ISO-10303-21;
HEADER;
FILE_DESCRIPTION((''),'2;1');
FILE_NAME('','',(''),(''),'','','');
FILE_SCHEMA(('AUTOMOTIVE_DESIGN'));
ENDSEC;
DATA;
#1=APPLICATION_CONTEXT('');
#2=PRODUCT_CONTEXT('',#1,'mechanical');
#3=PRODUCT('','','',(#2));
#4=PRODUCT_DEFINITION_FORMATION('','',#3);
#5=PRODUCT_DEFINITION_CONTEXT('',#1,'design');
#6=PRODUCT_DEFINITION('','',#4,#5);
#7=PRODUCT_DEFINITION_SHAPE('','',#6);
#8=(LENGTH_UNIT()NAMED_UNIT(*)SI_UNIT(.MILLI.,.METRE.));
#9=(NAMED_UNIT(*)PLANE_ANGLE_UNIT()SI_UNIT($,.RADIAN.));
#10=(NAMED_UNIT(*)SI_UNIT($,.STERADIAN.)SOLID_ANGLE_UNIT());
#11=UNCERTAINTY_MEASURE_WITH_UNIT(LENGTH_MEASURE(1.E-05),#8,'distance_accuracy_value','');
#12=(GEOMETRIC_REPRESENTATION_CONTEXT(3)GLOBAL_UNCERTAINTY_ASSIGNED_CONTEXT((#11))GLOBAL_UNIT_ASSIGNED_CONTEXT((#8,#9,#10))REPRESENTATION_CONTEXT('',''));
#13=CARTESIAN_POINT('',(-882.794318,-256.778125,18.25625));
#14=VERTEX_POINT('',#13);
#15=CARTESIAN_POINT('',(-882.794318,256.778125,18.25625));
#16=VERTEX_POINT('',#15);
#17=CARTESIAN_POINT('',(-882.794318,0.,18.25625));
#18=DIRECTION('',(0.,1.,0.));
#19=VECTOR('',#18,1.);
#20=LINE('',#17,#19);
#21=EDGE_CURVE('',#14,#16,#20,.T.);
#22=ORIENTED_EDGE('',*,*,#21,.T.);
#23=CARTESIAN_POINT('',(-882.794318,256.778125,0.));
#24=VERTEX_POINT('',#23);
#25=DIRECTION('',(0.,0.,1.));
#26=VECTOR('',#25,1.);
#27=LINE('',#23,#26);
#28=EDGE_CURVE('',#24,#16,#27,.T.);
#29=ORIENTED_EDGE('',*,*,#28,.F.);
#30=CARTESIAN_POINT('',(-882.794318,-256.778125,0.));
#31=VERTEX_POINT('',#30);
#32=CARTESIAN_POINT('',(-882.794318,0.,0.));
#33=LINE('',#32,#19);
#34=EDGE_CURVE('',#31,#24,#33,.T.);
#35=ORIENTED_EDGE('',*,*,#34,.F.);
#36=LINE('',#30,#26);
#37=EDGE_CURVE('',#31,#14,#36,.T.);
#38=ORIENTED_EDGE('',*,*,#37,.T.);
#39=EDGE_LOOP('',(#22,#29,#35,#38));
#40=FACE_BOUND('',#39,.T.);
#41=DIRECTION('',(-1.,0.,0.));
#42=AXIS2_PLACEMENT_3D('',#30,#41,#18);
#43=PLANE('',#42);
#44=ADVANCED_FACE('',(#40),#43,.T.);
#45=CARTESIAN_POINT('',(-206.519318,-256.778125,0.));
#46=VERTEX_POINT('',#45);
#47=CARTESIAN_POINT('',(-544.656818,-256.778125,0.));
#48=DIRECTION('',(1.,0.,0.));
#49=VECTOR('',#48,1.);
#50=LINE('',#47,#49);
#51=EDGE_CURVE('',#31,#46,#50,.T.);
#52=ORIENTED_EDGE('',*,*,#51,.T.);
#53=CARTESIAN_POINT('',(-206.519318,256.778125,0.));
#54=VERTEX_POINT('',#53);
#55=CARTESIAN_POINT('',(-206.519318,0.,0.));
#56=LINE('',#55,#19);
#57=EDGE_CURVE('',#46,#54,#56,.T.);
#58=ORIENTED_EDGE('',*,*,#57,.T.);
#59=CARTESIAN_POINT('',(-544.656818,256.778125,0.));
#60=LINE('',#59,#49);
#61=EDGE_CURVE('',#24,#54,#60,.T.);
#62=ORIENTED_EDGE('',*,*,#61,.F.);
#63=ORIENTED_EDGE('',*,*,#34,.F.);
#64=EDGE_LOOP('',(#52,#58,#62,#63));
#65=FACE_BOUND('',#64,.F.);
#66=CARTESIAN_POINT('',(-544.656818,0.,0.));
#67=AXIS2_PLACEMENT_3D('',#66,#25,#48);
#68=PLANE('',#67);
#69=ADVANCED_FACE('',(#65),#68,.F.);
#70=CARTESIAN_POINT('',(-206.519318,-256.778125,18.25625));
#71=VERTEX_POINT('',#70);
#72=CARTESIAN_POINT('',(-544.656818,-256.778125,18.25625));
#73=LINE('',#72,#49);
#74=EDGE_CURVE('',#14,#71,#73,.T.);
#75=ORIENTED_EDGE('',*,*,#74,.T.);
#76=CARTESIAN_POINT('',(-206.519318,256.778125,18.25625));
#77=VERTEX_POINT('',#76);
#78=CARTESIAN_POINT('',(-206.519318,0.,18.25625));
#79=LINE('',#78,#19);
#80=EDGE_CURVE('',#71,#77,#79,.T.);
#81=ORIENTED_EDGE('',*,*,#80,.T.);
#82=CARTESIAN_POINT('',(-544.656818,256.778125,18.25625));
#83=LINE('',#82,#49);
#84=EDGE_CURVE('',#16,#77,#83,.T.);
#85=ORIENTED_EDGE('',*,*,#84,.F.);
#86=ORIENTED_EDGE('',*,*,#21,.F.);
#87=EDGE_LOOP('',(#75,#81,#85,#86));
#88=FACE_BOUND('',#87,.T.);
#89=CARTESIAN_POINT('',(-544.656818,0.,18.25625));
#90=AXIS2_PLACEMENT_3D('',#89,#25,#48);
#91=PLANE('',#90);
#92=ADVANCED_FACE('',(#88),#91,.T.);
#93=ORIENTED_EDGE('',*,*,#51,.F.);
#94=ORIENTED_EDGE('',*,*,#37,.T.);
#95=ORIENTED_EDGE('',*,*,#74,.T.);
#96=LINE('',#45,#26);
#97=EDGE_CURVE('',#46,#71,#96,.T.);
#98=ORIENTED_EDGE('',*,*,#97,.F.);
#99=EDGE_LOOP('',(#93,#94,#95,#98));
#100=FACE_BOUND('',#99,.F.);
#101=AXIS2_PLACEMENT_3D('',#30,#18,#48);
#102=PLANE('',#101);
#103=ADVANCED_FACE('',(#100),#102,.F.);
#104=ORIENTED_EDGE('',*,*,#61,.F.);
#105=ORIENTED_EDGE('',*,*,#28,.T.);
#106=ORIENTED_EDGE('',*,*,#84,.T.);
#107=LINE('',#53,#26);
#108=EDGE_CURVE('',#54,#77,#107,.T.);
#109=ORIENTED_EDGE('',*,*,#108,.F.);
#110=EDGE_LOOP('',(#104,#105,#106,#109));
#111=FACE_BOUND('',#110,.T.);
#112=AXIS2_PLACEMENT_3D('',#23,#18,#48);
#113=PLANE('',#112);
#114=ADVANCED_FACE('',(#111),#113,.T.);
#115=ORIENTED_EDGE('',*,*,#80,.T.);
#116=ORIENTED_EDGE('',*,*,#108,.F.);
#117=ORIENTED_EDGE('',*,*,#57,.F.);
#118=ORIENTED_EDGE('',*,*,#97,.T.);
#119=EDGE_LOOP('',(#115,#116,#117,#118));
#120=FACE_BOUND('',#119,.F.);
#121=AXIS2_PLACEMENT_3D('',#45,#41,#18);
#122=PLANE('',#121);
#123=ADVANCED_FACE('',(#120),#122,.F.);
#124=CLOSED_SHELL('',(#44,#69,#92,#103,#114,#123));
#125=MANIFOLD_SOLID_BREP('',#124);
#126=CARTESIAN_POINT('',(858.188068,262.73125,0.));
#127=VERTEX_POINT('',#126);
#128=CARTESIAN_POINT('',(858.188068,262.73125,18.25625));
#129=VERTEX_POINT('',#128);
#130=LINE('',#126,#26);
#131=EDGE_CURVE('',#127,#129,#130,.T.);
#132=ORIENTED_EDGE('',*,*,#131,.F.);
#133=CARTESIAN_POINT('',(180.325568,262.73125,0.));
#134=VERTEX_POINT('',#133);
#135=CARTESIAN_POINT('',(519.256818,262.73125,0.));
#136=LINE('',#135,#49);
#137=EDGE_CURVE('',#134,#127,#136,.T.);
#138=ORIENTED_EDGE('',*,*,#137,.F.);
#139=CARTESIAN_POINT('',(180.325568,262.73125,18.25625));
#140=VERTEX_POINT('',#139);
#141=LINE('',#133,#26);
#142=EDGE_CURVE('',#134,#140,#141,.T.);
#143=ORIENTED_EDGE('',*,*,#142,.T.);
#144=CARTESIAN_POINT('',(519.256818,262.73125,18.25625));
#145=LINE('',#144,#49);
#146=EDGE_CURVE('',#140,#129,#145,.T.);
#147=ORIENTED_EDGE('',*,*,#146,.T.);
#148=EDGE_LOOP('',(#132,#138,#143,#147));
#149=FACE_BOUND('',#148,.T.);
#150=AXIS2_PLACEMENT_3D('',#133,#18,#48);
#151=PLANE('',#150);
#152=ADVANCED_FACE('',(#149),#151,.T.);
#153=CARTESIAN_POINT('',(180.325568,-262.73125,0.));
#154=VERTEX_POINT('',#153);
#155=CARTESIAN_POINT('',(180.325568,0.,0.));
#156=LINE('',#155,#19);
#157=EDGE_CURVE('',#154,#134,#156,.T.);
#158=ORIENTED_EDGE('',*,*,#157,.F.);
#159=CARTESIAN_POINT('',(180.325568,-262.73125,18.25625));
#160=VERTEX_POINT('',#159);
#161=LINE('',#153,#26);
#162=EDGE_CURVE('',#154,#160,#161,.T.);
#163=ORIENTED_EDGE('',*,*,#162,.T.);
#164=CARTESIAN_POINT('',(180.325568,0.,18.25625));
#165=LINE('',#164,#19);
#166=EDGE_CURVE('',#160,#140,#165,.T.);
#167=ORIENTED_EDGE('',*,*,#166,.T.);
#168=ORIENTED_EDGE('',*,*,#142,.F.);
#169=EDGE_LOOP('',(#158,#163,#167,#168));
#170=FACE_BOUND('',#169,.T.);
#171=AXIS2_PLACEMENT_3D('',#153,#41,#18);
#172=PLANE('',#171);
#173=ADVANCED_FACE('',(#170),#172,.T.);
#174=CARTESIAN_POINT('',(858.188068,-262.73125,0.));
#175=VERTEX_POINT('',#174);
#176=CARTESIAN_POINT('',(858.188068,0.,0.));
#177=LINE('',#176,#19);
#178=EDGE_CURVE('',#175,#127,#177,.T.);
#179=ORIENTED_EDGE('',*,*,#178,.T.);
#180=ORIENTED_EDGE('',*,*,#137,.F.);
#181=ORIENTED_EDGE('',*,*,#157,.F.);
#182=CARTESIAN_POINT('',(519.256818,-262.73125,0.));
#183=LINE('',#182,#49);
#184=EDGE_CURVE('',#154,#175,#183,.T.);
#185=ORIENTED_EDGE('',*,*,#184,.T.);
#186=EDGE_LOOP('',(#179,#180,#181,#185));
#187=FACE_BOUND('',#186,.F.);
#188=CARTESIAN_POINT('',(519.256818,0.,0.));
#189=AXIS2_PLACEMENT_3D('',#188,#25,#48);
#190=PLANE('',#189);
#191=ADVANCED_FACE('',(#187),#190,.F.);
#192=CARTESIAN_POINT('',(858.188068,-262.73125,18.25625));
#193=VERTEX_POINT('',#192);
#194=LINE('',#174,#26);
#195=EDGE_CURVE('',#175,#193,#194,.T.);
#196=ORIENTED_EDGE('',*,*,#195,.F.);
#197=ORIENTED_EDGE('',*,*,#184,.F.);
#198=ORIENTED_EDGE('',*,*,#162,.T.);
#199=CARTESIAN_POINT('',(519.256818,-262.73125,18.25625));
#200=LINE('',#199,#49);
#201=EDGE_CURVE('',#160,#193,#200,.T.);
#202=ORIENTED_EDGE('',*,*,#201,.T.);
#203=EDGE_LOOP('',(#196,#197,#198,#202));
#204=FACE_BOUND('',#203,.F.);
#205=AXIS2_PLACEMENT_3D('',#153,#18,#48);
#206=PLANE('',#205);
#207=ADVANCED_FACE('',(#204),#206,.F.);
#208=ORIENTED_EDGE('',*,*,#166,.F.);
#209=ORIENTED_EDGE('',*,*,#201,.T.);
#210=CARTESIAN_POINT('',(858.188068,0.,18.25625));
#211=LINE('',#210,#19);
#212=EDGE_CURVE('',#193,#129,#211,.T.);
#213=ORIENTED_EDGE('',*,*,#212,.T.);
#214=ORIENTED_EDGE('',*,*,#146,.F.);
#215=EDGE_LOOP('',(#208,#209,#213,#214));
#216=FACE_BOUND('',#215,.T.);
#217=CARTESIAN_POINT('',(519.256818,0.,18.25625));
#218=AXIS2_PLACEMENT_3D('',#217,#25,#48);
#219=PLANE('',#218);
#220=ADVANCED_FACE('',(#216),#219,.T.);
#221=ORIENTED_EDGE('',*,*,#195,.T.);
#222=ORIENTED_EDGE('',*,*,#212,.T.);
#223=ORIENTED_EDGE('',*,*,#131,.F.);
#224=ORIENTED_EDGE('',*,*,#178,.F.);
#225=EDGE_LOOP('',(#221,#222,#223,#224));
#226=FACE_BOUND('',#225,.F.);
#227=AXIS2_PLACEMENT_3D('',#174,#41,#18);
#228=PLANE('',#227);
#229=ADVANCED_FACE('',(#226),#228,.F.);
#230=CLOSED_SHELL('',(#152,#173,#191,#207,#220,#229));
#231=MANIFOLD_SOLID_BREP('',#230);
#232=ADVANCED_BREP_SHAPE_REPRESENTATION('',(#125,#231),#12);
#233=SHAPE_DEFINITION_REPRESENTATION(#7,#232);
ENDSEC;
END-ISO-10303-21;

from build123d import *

# Parameters (mm, degrees)
F0_W     = 676.275
F0_H     = 513.55625
F1_DEPTH = 18.25625
F0_W_2   = 677.8625
F0_H_2   = 525.4625


with BuildPart() as f1:
    # F0 (on Top) → F1 (new body)
    with BuildSketch(Plane.XY):
        with Locations((-544.6568183383, 0)):
            Rectangle(F0_W, F0_H)
    extrude(amount=F1_DEPTH)


with BuildPart() as f1b:
    # F0 (on Top) → F1, piece 2 (new body)
    with BuildSketch(Plane.XY):
        with Locations((519.2568183383, 0)):
            Rectangle(F0_W_2, F0_H_2)
    extrude(amount=F1_DEPTH)


solid = Compound([f1.part, f1b.part])
